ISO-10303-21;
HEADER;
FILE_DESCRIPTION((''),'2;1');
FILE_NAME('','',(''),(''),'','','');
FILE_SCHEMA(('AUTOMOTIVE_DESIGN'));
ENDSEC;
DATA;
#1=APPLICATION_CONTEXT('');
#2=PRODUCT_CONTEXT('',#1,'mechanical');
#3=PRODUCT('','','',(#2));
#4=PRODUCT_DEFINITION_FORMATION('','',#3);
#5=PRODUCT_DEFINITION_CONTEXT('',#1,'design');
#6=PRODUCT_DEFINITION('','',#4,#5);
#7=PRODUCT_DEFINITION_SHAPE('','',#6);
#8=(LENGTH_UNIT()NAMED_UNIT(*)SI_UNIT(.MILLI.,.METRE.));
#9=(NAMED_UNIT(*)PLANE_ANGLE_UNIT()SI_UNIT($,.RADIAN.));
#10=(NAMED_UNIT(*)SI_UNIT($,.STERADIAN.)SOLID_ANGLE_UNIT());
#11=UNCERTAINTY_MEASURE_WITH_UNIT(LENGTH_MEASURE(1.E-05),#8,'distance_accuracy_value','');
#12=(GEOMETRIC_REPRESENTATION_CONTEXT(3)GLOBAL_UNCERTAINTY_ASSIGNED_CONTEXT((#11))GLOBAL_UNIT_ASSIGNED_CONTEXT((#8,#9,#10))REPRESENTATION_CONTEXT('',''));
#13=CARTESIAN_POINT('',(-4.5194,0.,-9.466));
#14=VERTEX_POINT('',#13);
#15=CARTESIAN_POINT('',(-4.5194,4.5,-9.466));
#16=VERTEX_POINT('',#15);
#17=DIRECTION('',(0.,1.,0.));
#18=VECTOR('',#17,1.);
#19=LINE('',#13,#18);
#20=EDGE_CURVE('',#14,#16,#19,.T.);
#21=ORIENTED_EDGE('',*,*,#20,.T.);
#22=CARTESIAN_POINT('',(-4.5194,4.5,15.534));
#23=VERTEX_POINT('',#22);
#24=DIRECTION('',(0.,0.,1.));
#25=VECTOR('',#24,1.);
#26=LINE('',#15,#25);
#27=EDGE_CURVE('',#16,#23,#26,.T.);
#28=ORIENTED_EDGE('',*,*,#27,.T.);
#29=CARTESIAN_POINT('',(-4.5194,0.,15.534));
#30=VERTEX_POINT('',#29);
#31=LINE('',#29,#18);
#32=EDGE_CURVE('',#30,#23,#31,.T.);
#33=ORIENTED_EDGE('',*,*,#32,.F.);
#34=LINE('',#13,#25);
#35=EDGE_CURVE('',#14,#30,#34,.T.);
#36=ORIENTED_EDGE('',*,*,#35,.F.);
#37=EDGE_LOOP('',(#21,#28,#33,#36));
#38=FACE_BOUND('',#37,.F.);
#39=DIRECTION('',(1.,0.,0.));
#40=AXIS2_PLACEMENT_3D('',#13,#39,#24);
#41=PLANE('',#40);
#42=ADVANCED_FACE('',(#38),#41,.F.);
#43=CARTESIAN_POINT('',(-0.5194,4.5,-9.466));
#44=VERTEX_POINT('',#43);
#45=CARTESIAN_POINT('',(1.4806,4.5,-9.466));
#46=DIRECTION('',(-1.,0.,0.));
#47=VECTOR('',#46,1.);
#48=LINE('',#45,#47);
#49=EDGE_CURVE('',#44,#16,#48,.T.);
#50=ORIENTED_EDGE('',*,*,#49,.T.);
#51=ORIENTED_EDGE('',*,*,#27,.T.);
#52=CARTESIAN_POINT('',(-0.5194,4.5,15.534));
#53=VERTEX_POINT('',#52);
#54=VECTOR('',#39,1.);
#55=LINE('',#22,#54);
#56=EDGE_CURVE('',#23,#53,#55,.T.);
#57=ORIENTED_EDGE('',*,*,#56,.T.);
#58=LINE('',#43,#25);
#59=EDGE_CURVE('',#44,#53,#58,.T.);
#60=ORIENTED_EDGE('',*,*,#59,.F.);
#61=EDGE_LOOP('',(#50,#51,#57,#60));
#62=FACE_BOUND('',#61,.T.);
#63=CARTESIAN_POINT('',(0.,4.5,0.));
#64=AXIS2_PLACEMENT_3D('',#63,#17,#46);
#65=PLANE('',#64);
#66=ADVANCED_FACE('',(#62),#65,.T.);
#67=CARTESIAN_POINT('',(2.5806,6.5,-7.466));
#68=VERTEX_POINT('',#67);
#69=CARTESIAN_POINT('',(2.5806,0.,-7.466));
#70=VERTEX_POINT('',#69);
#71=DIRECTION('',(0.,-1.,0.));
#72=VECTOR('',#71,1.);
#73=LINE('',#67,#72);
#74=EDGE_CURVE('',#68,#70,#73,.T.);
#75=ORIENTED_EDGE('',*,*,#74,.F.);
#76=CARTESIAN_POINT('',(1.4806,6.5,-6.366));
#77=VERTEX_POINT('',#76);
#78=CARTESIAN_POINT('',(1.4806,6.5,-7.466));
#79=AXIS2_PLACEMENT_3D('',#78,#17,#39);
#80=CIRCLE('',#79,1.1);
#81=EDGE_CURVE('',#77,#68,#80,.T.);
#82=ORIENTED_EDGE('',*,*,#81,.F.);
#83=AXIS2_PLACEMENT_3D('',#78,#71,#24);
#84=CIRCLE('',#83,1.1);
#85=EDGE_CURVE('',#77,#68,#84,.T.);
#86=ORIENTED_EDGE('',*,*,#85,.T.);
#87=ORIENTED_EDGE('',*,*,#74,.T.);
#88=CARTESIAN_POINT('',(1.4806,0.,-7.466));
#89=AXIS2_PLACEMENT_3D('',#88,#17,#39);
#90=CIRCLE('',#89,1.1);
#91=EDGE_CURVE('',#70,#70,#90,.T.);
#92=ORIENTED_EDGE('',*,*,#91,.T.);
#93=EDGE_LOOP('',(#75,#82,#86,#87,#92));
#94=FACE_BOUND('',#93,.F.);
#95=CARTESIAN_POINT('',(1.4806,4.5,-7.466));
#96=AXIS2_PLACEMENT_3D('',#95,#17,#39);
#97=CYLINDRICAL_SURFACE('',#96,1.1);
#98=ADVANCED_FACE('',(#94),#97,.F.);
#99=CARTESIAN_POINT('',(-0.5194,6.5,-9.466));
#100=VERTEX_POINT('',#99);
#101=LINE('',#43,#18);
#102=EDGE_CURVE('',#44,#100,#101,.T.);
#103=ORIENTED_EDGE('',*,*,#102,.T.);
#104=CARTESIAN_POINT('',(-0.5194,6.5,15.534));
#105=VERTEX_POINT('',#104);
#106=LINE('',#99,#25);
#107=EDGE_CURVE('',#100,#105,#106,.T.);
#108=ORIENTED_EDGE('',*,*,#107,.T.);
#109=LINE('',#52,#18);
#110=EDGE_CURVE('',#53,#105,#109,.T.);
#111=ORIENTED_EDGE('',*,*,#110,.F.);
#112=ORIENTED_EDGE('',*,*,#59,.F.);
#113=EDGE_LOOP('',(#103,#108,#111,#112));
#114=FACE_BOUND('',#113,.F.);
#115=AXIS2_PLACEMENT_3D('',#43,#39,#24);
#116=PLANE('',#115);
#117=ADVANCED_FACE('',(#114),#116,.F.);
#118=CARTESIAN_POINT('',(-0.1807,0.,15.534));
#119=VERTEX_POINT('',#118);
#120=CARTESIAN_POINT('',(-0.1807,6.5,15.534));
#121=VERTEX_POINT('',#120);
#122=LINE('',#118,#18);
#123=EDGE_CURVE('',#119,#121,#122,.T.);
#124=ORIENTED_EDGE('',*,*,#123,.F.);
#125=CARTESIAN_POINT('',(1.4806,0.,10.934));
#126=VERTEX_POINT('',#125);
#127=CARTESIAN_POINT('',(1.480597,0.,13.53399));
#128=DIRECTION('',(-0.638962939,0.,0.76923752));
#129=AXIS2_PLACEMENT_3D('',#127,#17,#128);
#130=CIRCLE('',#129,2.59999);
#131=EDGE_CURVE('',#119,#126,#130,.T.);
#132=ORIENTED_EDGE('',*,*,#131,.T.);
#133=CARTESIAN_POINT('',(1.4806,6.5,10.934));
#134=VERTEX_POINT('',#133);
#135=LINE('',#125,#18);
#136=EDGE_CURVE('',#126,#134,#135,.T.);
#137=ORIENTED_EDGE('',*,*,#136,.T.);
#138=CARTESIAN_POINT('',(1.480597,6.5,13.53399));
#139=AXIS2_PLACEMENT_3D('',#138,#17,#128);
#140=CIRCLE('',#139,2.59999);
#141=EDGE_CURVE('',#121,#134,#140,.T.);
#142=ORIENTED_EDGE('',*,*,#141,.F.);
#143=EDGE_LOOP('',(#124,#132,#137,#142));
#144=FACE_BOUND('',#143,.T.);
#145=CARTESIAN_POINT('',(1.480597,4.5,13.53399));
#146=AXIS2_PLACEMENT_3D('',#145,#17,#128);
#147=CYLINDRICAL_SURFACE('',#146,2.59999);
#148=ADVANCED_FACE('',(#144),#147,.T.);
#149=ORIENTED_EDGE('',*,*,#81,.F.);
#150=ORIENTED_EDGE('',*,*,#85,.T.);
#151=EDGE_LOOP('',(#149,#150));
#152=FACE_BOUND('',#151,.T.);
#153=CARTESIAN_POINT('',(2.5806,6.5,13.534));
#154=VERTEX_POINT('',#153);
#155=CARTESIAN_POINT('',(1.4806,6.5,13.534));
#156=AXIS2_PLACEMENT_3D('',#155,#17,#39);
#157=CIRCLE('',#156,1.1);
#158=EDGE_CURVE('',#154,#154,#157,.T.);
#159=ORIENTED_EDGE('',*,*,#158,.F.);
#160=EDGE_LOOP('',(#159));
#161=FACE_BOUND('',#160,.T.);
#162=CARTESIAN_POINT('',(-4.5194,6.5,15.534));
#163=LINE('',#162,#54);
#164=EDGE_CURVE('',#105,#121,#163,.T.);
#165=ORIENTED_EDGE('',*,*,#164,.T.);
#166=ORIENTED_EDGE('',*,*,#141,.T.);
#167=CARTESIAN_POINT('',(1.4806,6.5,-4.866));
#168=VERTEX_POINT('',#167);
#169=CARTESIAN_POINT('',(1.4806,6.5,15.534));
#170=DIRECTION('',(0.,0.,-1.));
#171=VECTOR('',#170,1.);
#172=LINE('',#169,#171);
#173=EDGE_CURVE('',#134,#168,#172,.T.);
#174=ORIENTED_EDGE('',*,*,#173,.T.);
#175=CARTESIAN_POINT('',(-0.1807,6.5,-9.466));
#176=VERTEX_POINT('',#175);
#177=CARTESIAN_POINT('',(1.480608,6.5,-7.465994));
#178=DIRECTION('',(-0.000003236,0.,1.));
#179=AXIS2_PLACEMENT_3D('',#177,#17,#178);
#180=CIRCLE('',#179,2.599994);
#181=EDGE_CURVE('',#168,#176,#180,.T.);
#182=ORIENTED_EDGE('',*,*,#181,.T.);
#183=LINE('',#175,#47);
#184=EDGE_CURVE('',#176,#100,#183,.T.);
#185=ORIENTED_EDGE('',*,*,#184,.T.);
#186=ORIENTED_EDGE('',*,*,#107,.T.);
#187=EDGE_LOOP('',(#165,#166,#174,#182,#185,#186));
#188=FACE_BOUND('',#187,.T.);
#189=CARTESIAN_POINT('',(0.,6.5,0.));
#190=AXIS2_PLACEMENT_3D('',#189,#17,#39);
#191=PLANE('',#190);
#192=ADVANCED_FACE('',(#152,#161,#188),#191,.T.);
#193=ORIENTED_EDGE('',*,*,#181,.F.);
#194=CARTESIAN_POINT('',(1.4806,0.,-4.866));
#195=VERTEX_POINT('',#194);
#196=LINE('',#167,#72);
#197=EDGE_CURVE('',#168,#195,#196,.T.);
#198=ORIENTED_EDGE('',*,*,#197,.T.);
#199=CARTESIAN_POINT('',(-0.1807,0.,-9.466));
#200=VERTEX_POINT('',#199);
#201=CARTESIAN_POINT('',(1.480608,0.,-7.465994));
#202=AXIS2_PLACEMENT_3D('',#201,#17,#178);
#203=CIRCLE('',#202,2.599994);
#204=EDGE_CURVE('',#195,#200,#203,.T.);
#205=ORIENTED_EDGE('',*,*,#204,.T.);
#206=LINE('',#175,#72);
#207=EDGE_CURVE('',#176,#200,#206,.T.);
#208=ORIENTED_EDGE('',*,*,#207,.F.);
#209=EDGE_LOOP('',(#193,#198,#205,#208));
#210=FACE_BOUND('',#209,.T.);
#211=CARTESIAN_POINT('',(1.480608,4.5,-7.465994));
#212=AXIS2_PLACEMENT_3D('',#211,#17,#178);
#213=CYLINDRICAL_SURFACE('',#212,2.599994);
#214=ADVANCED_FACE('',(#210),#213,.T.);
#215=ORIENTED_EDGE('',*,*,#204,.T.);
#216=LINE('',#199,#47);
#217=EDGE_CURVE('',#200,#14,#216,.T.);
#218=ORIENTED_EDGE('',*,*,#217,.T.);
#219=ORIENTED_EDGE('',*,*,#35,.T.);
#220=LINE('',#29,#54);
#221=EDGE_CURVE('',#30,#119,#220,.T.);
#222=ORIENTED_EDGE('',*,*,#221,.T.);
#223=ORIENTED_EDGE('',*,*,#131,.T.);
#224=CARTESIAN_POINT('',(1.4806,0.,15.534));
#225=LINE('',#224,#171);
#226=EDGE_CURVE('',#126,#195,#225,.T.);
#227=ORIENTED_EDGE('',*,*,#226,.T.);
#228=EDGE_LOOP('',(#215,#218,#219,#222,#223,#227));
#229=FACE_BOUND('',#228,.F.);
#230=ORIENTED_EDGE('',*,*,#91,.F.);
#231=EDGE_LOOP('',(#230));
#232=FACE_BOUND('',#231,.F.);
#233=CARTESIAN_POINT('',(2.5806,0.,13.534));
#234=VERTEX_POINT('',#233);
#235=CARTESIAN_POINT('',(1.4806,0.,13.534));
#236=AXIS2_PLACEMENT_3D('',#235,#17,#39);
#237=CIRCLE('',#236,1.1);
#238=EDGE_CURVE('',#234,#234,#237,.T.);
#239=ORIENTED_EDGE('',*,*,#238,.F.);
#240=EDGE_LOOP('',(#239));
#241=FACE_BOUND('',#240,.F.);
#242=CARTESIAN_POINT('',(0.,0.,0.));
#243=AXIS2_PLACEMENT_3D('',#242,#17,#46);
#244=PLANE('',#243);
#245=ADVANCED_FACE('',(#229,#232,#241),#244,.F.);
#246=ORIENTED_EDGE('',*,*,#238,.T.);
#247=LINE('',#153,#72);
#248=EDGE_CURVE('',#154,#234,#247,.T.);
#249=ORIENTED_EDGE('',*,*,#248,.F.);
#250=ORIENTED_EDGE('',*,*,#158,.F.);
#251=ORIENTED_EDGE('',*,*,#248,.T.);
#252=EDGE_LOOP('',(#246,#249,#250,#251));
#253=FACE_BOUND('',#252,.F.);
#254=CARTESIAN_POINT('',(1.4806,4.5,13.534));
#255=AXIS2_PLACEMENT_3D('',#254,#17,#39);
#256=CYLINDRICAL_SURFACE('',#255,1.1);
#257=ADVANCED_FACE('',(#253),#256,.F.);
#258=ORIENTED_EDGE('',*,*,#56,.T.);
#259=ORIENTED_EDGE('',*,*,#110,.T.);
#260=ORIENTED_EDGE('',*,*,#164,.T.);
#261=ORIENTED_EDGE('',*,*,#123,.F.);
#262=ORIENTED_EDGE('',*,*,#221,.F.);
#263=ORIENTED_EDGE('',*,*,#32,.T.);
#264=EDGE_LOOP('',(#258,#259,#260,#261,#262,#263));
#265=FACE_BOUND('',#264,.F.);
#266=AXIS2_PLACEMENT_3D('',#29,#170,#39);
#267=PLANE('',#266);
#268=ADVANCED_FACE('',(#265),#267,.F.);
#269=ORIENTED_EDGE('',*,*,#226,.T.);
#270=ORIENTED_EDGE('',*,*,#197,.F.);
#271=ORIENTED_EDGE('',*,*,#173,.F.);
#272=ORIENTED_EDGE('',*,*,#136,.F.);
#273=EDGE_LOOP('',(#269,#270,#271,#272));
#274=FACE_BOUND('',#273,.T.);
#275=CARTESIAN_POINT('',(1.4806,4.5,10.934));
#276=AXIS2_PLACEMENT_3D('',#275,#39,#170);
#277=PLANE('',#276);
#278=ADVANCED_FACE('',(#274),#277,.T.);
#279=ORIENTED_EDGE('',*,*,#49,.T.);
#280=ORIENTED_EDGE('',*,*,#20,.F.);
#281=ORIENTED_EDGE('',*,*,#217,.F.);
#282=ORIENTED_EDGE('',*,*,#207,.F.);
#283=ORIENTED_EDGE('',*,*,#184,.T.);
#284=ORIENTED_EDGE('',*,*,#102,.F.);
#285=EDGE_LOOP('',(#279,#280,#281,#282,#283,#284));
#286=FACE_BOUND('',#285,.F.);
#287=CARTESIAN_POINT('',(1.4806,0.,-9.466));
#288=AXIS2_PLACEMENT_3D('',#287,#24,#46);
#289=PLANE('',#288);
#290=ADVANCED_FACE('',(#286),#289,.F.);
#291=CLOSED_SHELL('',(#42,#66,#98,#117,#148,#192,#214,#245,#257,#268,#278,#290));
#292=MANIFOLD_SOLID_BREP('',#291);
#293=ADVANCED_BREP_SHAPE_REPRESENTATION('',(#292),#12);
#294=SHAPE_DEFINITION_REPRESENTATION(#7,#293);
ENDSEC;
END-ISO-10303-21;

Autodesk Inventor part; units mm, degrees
ref_plane "YZ Plane" through (0, 0, 0) normal (1, 0, 0) x (0, 1, 0)
ref_plane "XZ Plane" through (0, 0, 0) normal (0, 1, 0) x (-1, 0, 0)
ref_plane "XY Plane" through (0, 0, 0) normal (0, 0, 1) x (1, 0, 0)
sketch "Sketch1" plane through (0, 0, 0) normal (0, 1, 0) x (-1, 0, 0)
  line L0 (4.5194, 15.534) -> (-1.4806, 15.534)
  line L1 (-1.4806, 15.534) -> (-1.4806, -9.466)
  line L2 (-1.4806, -9.466) -> (4.5194, -9.466)
  line L3 (4.5194, -9.466) -> (4.5194, 15.534)
  point P0 (0, 0)
  dimension "d0" = 25
  dimension "d1" = 6
extrude "Extrusion1" add sketch "Sketch1" along normal blind 4.5
sketch "Sketch2" plane through (0, 4.5, 0) normal (0, 1, 0) x (1, 0, 0)
  line L0 (1.4806, -15.534) -> (1.4806, 9.466) projected
  line L1 (-4.5194, -15.534) -> (1.4806, -15.534) projected
  line L2 (-0.1807, 9.466) -> (-0.5194, 9.466)
  line L3 (-0.5194, 9.466) -> (-0.5194, -15.534)
  line L4 (-0.5194, -15.534) -> (-0.1807, -15.534)
  circle A0 centre (1.4806, 7.466) radius 1.1
  circle A1 centre (1.4806, -13.534) radius 1.1
  arc A2 (-0.1807, -15.534) -> (1.4806, -10.934) centre (1.4806, -13.534) ccw
  arc A3 (1.4806, 4.866) -> (-0.1807, 9.466) centre (1.4806, 7.466) ccw
  line L5 (1.4806, -10.934) -> (1.4806, 4.866)
  point P0 (0, 0)
  point P1 (1.4806, 10.066)
  point P2 (1.4806, -16.134)
  dimension "d4" = 2
  dimension "d5" = 2.2
  dimension "d6" = 0
  dimension "d8" = 2
  dimension "d9" = 2.2
  dimension "d10" = 0
  dimension "d11" = 2
  dimension "d17" = 1.5
  dimension "d18" = 1.5
extrude "Extrusion3" add sketch "Sketch2" along normal blind 2 and the other way blind 4.5 contours L0 A1 L1 L3 L2 A3 | A2 L1 L0 A1
extrude "Extrusion4" cut sketch "Sketch2" along normal through all both and the other way through all contours A0 L0 | L0 A0 | A1 L0 | L0 A1
properties part number "rectSotto"
